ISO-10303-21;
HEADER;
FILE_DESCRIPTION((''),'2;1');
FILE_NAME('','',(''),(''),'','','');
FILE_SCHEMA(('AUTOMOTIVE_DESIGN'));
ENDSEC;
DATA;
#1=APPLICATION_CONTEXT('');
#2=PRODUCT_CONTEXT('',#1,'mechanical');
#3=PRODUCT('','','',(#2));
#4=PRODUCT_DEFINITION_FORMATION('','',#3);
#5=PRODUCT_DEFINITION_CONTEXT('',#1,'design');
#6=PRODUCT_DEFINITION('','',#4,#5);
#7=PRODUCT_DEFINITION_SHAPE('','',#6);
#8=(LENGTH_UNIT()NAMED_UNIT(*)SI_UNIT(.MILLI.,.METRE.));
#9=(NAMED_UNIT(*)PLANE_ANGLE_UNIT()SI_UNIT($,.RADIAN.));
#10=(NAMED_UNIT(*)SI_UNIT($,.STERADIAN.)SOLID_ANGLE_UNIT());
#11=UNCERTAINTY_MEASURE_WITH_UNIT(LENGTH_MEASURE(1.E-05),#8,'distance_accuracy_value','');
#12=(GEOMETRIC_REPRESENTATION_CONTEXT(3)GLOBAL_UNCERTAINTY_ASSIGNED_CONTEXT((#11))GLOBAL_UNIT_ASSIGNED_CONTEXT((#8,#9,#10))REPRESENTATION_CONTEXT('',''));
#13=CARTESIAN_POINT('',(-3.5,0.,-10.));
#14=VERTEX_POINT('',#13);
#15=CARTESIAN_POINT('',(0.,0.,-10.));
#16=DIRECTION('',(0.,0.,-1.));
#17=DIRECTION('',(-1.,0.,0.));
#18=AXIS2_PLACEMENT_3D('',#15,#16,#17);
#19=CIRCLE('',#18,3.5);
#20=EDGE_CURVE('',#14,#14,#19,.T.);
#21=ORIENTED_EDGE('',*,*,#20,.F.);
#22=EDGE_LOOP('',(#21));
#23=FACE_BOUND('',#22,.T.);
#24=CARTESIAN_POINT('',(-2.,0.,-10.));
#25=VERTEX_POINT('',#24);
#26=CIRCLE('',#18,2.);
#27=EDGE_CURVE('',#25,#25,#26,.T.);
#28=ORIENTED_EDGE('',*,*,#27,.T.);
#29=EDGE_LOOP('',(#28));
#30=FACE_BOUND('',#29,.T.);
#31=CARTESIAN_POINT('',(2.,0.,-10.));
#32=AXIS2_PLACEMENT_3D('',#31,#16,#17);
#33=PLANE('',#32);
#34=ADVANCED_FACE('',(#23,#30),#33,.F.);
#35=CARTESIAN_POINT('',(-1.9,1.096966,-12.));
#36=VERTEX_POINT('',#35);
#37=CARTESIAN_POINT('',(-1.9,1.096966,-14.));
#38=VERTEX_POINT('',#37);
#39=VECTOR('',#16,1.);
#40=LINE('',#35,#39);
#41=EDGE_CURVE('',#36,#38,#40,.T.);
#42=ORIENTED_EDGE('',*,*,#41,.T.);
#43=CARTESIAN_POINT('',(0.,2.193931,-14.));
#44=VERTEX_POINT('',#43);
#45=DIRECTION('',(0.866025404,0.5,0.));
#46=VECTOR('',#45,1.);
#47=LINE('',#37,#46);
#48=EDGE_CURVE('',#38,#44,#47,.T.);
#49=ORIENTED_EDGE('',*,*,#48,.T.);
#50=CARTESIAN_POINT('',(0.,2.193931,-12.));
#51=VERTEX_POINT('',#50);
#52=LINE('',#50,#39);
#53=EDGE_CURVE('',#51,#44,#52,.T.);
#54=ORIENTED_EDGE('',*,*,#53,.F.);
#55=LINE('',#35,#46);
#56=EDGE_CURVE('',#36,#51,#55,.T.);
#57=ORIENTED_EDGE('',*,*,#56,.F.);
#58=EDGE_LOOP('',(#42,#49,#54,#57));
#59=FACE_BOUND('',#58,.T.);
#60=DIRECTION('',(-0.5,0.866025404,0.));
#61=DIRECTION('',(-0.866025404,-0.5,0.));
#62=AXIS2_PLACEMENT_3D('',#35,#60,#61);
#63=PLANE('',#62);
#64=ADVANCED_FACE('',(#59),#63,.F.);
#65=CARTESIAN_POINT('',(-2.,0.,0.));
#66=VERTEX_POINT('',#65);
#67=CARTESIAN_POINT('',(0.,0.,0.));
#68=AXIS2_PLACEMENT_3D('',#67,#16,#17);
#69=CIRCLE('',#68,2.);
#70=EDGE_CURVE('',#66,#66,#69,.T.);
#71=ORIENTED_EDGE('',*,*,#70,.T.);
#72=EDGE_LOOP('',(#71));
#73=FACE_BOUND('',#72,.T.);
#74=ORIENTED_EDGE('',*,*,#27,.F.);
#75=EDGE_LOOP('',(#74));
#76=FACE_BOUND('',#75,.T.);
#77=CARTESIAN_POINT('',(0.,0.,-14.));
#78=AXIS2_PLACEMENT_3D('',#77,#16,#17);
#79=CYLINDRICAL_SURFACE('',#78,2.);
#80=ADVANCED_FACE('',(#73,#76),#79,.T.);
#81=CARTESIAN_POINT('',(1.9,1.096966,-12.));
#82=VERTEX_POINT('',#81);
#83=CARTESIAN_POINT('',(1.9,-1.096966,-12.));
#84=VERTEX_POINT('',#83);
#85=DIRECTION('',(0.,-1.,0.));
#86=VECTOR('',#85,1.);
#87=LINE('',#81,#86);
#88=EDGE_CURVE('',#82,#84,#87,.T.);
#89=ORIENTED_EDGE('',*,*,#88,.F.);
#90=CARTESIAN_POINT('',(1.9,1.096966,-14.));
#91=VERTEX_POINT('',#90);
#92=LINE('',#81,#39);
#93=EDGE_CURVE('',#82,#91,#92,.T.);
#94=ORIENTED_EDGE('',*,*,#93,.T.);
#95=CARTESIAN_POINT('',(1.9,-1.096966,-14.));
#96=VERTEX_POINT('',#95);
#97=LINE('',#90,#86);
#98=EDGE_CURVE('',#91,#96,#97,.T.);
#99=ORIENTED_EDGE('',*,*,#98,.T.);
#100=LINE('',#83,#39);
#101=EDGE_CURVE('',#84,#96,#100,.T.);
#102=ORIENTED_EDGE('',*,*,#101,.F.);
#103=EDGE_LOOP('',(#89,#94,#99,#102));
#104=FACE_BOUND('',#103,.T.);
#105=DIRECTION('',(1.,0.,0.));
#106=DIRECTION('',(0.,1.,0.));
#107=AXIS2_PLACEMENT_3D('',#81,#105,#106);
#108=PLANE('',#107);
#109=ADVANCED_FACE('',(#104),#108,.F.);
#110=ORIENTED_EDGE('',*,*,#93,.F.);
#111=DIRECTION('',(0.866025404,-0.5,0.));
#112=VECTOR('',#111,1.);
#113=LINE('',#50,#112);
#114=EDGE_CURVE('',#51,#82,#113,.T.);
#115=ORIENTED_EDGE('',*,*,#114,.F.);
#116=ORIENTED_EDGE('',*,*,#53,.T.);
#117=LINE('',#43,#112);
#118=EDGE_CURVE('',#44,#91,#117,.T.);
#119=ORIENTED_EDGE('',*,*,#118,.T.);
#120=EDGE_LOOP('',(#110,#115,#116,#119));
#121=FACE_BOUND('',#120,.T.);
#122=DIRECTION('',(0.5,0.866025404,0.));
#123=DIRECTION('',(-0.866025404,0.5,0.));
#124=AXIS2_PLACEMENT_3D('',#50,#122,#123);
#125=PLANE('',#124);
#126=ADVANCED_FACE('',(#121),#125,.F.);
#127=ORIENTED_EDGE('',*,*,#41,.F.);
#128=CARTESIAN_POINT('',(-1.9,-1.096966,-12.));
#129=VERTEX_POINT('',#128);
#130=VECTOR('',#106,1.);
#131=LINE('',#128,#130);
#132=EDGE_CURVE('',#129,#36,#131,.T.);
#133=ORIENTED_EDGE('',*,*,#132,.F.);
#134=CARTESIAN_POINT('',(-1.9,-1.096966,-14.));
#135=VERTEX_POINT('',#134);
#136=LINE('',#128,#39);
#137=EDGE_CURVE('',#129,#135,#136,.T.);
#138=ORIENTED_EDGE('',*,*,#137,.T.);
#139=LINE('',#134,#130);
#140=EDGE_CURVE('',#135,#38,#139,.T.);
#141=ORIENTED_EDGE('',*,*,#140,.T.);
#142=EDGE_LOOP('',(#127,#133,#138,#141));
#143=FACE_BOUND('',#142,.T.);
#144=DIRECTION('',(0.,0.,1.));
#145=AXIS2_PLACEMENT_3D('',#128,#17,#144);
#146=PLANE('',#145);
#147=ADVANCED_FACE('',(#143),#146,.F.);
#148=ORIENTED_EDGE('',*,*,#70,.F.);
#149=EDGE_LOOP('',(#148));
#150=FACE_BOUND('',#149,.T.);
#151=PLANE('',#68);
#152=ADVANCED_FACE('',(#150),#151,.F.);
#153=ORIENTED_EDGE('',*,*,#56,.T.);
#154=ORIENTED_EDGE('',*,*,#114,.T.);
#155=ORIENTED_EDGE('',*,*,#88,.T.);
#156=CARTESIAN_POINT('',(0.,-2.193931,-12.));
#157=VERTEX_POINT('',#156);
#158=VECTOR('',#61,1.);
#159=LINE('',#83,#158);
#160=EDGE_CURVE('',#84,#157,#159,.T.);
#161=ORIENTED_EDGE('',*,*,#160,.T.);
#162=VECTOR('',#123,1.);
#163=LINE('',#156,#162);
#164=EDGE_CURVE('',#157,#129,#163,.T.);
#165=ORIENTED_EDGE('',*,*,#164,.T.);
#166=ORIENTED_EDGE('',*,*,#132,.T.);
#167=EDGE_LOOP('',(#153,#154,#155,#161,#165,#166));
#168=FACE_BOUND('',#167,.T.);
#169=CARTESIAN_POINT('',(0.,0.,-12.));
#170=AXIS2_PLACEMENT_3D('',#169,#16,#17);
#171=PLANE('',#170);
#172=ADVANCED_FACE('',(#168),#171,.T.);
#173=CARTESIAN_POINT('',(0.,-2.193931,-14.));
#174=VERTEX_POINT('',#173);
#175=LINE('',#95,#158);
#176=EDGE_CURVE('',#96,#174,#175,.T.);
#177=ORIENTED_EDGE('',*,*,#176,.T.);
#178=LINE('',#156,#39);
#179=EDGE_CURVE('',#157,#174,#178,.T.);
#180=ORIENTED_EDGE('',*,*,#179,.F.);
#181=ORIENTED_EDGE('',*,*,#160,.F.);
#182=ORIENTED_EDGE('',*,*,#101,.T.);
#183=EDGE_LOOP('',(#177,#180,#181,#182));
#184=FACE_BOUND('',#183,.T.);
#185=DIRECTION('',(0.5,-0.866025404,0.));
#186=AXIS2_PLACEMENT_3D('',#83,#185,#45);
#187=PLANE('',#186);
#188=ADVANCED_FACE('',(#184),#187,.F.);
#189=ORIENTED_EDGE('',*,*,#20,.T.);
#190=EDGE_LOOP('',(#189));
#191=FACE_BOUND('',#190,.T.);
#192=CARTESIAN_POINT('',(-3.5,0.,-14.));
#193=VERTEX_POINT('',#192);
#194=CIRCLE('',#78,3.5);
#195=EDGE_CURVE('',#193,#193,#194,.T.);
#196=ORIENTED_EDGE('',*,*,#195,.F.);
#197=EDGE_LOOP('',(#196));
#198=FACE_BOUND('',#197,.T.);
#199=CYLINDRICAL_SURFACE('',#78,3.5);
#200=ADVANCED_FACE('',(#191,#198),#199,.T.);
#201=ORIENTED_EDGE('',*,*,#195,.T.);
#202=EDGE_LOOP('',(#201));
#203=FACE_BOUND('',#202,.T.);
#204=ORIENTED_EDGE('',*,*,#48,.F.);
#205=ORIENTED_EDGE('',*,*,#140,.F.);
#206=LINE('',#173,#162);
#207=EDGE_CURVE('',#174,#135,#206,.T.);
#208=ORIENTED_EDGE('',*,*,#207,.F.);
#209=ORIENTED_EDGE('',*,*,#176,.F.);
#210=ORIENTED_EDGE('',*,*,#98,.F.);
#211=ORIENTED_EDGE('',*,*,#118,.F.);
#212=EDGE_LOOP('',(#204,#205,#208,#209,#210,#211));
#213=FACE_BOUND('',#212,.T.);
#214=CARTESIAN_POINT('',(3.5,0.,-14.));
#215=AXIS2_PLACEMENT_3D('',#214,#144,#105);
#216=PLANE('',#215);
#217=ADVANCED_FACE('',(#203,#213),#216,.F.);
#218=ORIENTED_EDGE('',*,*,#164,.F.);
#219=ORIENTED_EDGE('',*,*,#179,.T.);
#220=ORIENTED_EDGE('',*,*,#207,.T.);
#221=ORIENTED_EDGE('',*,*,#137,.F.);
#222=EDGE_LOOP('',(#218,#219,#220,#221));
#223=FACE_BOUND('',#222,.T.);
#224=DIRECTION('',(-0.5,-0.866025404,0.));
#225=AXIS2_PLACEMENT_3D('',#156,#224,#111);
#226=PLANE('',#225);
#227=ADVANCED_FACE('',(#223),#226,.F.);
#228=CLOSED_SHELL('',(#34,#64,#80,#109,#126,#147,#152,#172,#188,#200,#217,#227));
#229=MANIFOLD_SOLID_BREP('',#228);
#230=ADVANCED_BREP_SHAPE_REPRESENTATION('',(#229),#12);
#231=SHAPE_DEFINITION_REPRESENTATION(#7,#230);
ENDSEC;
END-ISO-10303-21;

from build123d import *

# Parameters (mm, degrees)
CUT_EXTRUDE_1_DEPTH = 2


with BuildPart() as part:
    # 草图1 → 旋转1 (revolve)
    with BuildSketch(Plane(origin=(0, 0, 0), x_dir=(1, 0, 0), z_dir=(0, 1, 0)), mode=Mode.PRIVATE) as revolve_1_sk:
        Polygon((0, 0), (2, 0), (2, 10), (3.5, 10), (3.5, 14), (0, 14), align=None)
    revolve(revolve_1_sk.sketch.rotate(Axis((0, 0, -14), (0, 0, 1)), 180), axis=Axis((0, 0, -14), (0, 0, 1)))

    # 草图2 → 切除-拉伸1 (cut)
    with BuildSketch(Plane(origin=(0, 0, -14), x_dir=(-1, 0, 0), z_dir=(0, 0, -1))):
        Polygon((0, 2.193931023), (-1.9, 1.096965511), (-1.9, -1.096965511), (0, -2.193931023), (1.9, -1.096965511), (1.9, 1.096965511), align=None)
    extrude(amount=-CUT_EXTRUDE_1_DEPTH, mode=Mode.SUBTRACT)


solid = part.part
